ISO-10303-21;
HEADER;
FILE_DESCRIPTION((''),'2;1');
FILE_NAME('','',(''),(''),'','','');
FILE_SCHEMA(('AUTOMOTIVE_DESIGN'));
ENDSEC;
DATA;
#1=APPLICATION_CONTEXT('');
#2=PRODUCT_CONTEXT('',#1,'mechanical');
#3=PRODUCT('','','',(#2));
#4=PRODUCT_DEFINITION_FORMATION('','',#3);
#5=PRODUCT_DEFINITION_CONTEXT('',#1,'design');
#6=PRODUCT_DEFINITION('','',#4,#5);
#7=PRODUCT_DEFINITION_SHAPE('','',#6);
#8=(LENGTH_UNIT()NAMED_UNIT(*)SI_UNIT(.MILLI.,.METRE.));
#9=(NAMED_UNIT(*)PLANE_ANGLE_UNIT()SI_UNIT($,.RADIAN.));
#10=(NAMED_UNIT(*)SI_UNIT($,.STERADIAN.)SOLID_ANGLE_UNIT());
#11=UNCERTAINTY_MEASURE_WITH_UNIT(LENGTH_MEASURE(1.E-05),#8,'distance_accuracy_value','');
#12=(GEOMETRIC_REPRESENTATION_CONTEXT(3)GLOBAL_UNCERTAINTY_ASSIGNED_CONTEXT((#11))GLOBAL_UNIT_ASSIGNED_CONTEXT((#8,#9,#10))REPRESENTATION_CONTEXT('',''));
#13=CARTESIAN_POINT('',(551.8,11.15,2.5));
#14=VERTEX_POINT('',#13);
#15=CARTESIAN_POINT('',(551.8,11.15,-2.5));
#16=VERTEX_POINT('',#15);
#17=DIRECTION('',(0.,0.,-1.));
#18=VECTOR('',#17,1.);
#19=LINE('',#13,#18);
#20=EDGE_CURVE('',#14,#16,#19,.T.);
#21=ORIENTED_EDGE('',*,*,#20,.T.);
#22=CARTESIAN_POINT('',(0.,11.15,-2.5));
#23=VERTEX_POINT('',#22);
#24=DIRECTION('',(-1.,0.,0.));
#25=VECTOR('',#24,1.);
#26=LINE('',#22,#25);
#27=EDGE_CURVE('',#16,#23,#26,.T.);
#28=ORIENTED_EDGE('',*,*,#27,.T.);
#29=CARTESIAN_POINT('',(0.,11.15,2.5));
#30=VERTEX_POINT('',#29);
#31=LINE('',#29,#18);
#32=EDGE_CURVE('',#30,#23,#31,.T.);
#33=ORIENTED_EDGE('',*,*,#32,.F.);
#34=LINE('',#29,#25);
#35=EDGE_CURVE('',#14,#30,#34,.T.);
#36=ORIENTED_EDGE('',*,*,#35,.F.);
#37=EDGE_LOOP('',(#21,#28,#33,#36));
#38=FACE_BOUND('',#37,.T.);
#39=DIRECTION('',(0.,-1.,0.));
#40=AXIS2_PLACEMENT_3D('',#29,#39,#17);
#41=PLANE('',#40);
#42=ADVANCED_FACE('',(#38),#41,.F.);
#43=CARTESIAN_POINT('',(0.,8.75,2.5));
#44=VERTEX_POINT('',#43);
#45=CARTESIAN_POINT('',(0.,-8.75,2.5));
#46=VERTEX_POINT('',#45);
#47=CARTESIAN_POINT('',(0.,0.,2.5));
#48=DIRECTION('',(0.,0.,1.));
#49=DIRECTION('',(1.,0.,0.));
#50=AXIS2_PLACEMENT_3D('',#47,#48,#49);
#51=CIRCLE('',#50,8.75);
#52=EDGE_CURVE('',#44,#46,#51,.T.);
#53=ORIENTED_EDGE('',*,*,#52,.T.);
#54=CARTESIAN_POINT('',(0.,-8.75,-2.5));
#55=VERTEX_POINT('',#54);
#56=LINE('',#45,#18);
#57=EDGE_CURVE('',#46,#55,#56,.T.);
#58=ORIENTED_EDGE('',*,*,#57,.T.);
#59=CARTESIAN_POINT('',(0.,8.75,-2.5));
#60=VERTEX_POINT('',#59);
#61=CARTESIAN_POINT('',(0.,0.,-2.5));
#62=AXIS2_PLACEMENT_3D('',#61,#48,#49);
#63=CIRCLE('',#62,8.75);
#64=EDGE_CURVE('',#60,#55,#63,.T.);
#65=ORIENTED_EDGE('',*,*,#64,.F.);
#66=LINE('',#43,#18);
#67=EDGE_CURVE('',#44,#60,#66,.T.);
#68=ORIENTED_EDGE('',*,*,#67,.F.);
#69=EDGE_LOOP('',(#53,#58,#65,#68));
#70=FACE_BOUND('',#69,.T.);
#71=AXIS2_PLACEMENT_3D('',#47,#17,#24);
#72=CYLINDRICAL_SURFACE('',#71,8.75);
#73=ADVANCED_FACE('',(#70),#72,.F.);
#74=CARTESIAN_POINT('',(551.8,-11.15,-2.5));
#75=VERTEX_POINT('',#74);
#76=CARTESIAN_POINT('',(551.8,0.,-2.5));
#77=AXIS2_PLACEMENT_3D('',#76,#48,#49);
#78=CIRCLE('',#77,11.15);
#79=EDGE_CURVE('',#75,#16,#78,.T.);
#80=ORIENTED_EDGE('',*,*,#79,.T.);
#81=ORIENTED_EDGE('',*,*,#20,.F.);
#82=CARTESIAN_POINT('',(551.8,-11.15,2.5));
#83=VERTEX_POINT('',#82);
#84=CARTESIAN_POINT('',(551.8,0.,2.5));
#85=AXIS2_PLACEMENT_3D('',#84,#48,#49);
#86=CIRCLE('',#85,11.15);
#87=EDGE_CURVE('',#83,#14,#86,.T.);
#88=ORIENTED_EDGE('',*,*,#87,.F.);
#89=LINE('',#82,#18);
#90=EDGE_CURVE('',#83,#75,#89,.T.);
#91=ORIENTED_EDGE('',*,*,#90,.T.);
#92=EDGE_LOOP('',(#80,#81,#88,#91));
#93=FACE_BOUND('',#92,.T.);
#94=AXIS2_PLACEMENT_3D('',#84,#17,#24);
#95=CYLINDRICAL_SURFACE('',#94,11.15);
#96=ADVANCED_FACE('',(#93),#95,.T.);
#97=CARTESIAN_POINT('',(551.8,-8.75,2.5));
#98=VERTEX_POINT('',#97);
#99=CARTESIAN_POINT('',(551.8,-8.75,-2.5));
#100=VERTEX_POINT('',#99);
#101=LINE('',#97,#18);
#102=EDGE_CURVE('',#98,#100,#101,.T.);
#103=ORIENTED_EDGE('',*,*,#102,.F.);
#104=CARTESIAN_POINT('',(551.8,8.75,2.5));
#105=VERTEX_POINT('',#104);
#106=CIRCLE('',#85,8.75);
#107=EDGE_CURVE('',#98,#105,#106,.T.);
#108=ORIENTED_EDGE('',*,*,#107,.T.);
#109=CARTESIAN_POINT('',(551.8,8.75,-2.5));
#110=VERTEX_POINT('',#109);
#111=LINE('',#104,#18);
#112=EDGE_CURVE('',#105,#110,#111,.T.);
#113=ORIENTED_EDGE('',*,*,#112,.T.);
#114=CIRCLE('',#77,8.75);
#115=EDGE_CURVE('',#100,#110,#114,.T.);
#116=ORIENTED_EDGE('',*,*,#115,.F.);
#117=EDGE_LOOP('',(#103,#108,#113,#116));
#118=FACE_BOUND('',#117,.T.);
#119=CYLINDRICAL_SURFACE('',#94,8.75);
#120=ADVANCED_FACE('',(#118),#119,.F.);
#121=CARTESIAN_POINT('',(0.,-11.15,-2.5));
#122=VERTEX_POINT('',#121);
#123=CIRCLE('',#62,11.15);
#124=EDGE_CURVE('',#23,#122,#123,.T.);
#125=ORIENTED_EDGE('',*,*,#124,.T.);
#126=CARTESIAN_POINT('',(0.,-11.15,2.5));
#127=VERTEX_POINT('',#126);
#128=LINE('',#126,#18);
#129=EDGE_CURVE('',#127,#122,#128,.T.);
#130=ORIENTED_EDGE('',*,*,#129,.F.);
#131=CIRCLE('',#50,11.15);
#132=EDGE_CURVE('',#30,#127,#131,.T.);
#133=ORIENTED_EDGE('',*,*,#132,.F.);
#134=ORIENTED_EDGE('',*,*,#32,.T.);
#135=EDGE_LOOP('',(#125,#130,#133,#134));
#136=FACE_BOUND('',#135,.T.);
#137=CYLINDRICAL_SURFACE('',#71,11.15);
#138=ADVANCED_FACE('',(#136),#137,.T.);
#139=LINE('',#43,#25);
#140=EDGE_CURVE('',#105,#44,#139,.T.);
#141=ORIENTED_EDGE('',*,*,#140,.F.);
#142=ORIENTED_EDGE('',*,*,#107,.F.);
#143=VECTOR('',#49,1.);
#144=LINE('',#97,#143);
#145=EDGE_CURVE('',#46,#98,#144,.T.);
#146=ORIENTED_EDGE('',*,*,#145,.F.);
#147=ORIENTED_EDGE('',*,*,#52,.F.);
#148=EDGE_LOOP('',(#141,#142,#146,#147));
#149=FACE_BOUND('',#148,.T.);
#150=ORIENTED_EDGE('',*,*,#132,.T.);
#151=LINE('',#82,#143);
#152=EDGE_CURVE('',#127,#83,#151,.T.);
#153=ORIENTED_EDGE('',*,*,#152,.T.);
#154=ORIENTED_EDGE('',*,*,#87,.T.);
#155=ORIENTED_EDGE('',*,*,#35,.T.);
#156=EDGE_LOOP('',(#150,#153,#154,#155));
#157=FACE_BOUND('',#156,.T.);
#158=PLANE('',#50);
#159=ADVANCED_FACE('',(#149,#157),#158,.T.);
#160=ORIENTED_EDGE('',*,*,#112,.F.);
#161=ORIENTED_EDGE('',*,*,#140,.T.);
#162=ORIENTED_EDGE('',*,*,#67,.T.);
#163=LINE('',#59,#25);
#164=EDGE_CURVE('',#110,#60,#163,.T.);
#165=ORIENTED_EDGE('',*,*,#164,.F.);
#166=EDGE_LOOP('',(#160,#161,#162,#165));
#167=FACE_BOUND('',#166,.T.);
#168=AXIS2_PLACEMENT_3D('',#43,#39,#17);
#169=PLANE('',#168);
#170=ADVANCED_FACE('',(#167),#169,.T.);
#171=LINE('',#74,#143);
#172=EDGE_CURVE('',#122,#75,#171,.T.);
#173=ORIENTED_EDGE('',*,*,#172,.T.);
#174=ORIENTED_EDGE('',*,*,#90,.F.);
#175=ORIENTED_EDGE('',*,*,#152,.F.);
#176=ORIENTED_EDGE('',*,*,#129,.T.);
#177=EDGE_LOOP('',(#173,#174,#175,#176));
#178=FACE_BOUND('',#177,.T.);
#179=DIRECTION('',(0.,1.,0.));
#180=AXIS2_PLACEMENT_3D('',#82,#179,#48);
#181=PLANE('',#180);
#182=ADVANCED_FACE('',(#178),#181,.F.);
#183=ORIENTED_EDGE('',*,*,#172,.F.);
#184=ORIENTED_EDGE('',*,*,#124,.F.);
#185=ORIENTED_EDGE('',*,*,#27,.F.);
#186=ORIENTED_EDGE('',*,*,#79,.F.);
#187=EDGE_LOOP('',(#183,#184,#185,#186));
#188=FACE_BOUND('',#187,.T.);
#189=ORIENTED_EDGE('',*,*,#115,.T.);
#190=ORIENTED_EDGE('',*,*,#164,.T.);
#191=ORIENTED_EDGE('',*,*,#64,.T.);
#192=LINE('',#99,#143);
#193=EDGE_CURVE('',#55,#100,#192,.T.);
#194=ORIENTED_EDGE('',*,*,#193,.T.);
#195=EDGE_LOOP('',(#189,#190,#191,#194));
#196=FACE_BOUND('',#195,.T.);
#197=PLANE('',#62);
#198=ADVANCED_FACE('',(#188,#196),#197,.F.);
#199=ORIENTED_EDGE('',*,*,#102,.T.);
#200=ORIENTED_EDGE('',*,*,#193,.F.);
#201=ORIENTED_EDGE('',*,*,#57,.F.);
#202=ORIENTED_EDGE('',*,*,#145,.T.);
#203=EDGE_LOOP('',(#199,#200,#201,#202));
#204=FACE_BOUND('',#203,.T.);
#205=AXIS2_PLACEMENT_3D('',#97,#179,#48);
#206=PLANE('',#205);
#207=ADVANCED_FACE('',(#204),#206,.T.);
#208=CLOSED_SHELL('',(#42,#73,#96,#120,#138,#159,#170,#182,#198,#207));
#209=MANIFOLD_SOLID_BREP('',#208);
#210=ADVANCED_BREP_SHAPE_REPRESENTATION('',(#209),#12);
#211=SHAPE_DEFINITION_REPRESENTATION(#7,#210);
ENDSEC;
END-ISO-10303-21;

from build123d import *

# Parameters (mm, degrees)
EXTRUDE_THIN1_DEPTH = 2.5


with BuildPart() as part:
    # Sketch1 → Extrude-Thin1 (new body, symmetric)
    with BuildSketch(Plane.XY):
        with BuildLine():
            Line((551.8, -11.15), (0, -11.15))
            ThreePointArc((0, -11.15), (-11.15, 0), (0, 11.15))
            Line((0, 11.15), (551.8, 11.15))
            ThreePointArc((551.8, 11.15), (562.95, 0), (551.8, -11.15))
        make_face()
        with BuildLine():
            Line((551.8, -8.75), (0, -8.75))
            ThreePointArc((0, -8.75), (-8.75, 0), (0, 8.75))
            Line((0, 8.75), (551.8, 8.75))
            ThreePointArc((551.8, 8.75), (560.55, 0), (551.8, -8.75))
        make_face(mode=Mode.SUBTRACT)
    extrude(amount=EXTRUDE_THIN1_DEPTH, both=True)


solid = part.part
